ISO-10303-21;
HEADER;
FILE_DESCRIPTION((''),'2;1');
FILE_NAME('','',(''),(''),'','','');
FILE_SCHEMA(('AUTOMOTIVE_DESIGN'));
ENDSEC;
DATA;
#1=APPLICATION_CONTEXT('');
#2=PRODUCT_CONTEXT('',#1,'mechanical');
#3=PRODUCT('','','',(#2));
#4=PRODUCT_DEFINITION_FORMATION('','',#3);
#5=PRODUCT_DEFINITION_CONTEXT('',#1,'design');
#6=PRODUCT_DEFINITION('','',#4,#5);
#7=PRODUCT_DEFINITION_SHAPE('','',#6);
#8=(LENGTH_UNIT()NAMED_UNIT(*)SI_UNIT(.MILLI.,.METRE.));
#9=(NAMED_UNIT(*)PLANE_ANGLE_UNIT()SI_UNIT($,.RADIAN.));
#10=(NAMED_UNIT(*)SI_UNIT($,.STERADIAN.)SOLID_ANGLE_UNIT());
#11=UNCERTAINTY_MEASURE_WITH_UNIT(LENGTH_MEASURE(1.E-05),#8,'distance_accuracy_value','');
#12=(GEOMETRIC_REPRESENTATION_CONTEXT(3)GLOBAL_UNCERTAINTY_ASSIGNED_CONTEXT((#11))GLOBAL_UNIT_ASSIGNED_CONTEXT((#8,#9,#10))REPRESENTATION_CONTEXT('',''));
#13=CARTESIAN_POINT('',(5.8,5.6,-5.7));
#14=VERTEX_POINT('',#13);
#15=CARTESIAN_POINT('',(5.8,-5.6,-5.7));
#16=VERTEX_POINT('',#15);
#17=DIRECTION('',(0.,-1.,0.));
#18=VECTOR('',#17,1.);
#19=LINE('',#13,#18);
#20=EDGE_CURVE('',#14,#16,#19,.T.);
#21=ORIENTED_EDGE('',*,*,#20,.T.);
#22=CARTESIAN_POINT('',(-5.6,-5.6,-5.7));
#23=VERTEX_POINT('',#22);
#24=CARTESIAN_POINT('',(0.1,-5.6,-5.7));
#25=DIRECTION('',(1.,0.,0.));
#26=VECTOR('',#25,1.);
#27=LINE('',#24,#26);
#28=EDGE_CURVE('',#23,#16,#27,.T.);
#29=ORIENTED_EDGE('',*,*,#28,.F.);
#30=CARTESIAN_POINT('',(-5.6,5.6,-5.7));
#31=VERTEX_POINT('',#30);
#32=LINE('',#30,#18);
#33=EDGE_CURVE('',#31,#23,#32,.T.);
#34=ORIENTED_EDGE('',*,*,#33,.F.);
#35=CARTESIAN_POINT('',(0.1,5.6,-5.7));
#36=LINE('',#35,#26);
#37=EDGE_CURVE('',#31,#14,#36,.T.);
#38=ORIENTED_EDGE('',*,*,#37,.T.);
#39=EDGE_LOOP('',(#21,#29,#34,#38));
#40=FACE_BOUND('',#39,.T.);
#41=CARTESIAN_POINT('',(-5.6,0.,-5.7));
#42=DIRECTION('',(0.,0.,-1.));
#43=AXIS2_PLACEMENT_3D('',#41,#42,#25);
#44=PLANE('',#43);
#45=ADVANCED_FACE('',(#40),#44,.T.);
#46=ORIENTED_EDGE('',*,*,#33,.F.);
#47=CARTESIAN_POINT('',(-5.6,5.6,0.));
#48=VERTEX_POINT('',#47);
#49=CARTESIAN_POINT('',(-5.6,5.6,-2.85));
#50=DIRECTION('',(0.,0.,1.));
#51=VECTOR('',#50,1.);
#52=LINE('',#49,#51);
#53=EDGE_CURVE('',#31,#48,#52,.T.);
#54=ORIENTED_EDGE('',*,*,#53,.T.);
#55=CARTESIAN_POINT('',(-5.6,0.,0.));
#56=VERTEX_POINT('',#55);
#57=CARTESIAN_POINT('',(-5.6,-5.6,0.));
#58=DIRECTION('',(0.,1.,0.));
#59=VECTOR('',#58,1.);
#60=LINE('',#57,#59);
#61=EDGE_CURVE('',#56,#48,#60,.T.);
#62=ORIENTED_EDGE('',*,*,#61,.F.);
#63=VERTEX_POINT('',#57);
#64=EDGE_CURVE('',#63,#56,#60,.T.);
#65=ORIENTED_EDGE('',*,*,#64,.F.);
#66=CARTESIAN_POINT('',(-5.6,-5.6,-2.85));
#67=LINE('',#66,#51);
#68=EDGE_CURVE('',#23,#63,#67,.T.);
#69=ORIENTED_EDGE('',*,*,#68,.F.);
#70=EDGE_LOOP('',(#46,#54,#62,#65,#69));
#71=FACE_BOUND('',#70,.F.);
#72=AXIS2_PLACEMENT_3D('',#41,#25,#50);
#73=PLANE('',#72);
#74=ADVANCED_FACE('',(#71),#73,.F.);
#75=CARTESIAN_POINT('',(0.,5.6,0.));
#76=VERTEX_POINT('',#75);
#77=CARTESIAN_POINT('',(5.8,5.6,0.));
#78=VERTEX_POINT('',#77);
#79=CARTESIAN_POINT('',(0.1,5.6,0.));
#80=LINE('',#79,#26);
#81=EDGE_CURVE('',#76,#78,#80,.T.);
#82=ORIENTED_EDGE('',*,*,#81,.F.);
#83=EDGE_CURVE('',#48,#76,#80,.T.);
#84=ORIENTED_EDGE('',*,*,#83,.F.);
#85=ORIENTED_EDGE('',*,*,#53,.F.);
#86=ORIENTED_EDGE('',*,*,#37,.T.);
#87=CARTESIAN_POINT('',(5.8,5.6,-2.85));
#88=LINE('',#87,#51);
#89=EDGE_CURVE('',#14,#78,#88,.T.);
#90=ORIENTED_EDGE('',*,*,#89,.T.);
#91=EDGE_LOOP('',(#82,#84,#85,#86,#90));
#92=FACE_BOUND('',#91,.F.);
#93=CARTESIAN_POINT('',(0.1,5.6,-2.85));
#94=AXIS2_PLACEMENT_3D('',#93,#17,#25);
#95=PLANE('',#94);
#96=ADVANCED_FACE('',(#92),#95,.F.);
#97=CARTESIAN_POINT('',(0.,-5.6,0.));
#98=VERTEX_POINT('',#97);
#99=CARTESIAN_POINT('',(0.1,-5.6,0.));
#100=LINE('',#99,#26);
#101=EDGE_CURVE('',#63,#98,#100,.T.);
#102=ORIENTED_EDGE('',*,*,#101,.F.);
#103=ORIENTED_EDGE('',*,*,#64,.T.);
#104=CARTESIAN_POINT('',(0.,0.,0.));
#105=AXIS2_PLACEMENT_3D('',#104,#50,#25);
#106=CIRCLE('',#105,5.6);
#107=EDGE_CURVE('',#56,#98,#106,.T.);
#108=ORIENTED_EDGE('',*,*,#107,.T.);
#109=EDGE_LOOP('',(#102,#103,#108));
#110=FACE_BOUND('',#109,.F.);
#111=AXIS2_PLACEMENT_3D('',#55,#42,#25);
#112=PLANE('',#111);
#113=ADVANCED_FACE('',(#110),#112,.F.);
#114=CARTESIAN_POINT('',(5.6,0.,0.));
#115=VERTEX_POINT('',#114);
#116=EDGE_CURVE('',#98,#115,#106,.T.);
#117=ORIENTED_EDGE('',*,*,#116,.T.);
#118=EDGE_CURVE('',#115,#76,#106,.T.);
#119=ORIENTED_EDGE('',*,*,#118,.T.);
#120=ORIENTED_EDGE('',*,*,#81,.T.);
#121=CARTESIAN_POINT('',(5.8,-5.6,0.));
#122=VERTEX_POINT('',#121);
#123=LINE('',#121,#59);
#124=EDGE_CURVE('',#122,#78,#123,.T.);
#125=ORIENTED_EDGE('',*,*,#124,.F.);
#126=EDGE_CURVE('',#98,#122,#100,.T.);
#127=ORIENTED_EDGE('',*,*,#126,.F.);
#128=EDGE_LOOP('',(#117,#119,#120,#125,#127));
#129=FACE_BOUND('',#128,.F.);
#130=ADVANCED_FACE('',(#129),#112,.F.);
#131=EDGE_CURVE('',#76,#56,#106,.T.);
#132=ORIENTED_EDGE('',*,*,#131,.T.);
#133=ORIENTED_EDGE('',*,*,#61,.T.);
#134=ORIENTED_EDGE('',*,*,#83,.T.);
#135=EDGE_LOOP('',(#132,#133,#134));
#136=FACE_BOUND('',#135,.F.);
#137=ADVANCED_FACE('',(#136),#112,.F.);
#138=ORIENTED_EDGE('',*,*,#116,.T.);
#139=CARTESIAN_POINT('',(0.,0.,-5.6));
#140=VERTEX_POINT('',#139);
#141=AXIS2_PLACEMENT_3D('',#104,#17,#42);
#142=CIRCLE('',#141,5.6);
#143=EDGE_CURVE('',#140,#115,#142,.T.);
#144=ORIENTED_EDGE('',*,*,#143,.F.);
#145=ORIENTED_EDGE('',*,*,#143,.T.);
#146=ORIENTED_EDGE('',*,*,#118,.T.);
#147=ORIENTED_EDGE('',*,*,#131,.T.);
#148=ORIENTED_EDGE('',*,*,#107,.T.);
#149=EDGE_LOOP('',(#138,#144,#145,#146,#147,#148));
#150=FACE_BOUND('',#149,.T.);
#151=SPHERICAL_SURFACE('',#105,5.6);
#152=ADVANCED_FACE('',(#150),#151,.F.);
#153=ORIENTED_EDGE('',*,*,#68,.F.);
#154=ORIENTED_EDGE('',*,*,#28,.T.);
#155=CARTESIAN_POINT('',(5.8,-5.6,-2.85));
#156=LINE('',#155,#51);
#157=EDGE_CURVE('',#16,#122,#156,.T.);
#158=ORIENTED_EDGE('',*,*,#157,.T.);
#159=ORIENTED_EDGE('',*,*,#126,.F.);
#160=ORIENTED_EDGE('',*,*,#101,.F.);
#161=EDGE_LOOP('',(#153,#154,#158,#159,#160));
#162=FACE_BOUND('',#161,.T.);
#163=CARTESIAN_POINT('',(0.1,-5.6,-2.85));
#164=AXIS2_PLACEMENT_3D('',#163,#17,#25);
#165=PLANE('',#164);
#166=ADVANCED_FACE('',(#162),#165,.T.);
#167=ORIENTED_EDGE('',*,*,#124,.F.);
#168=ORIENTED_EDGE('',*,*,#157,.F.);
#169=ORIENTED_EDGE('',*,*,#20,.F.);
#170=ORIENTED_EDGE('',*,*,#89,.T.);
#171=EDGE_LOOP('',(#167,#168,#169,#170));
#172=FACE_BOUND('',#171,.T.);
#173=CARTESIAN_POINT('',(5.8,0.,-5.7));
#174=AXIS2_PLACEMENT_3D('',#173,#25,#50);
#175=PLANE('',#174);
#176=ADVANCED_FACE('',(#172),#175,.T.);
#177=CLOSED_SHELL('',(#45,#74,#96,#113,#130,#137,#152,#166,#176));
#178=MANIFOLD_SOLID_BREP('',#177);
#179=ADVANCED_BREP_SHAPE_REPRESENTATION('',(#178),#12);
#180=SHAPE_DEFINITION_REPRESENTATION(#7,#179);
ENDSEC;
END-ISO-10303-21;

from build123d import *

# Parameters (mm, degrees)
F0_W     = 11.4
F0_H     = 5.7
F1_DEPTH = 5.6


with BuildPart() as f1:
    # F0 (on Front) → F1 (new body, symmetric)
    with BuildSketch(Plane.XZ):
        with Locations((0.1, -2.85)):
            Rectangle(F0_W, F0_H)
    extrude(amount=F1_DEPTH, both=True)

    # F2 (on Front) → F3 (revolve, cut)
    with BuildSketch(Plane.XZ):
        with BuildLine():
            ThreePointArc((0, -5.6), (5.6, 0), (0, 5.6))
            Line((0, 5.6), (0, -5.6))
        make_face()
    revolve(axis=Axis((0, 0, 0), (0, 0, -1)), mode=Mode.SUBTRACT)


solid = f1.part
